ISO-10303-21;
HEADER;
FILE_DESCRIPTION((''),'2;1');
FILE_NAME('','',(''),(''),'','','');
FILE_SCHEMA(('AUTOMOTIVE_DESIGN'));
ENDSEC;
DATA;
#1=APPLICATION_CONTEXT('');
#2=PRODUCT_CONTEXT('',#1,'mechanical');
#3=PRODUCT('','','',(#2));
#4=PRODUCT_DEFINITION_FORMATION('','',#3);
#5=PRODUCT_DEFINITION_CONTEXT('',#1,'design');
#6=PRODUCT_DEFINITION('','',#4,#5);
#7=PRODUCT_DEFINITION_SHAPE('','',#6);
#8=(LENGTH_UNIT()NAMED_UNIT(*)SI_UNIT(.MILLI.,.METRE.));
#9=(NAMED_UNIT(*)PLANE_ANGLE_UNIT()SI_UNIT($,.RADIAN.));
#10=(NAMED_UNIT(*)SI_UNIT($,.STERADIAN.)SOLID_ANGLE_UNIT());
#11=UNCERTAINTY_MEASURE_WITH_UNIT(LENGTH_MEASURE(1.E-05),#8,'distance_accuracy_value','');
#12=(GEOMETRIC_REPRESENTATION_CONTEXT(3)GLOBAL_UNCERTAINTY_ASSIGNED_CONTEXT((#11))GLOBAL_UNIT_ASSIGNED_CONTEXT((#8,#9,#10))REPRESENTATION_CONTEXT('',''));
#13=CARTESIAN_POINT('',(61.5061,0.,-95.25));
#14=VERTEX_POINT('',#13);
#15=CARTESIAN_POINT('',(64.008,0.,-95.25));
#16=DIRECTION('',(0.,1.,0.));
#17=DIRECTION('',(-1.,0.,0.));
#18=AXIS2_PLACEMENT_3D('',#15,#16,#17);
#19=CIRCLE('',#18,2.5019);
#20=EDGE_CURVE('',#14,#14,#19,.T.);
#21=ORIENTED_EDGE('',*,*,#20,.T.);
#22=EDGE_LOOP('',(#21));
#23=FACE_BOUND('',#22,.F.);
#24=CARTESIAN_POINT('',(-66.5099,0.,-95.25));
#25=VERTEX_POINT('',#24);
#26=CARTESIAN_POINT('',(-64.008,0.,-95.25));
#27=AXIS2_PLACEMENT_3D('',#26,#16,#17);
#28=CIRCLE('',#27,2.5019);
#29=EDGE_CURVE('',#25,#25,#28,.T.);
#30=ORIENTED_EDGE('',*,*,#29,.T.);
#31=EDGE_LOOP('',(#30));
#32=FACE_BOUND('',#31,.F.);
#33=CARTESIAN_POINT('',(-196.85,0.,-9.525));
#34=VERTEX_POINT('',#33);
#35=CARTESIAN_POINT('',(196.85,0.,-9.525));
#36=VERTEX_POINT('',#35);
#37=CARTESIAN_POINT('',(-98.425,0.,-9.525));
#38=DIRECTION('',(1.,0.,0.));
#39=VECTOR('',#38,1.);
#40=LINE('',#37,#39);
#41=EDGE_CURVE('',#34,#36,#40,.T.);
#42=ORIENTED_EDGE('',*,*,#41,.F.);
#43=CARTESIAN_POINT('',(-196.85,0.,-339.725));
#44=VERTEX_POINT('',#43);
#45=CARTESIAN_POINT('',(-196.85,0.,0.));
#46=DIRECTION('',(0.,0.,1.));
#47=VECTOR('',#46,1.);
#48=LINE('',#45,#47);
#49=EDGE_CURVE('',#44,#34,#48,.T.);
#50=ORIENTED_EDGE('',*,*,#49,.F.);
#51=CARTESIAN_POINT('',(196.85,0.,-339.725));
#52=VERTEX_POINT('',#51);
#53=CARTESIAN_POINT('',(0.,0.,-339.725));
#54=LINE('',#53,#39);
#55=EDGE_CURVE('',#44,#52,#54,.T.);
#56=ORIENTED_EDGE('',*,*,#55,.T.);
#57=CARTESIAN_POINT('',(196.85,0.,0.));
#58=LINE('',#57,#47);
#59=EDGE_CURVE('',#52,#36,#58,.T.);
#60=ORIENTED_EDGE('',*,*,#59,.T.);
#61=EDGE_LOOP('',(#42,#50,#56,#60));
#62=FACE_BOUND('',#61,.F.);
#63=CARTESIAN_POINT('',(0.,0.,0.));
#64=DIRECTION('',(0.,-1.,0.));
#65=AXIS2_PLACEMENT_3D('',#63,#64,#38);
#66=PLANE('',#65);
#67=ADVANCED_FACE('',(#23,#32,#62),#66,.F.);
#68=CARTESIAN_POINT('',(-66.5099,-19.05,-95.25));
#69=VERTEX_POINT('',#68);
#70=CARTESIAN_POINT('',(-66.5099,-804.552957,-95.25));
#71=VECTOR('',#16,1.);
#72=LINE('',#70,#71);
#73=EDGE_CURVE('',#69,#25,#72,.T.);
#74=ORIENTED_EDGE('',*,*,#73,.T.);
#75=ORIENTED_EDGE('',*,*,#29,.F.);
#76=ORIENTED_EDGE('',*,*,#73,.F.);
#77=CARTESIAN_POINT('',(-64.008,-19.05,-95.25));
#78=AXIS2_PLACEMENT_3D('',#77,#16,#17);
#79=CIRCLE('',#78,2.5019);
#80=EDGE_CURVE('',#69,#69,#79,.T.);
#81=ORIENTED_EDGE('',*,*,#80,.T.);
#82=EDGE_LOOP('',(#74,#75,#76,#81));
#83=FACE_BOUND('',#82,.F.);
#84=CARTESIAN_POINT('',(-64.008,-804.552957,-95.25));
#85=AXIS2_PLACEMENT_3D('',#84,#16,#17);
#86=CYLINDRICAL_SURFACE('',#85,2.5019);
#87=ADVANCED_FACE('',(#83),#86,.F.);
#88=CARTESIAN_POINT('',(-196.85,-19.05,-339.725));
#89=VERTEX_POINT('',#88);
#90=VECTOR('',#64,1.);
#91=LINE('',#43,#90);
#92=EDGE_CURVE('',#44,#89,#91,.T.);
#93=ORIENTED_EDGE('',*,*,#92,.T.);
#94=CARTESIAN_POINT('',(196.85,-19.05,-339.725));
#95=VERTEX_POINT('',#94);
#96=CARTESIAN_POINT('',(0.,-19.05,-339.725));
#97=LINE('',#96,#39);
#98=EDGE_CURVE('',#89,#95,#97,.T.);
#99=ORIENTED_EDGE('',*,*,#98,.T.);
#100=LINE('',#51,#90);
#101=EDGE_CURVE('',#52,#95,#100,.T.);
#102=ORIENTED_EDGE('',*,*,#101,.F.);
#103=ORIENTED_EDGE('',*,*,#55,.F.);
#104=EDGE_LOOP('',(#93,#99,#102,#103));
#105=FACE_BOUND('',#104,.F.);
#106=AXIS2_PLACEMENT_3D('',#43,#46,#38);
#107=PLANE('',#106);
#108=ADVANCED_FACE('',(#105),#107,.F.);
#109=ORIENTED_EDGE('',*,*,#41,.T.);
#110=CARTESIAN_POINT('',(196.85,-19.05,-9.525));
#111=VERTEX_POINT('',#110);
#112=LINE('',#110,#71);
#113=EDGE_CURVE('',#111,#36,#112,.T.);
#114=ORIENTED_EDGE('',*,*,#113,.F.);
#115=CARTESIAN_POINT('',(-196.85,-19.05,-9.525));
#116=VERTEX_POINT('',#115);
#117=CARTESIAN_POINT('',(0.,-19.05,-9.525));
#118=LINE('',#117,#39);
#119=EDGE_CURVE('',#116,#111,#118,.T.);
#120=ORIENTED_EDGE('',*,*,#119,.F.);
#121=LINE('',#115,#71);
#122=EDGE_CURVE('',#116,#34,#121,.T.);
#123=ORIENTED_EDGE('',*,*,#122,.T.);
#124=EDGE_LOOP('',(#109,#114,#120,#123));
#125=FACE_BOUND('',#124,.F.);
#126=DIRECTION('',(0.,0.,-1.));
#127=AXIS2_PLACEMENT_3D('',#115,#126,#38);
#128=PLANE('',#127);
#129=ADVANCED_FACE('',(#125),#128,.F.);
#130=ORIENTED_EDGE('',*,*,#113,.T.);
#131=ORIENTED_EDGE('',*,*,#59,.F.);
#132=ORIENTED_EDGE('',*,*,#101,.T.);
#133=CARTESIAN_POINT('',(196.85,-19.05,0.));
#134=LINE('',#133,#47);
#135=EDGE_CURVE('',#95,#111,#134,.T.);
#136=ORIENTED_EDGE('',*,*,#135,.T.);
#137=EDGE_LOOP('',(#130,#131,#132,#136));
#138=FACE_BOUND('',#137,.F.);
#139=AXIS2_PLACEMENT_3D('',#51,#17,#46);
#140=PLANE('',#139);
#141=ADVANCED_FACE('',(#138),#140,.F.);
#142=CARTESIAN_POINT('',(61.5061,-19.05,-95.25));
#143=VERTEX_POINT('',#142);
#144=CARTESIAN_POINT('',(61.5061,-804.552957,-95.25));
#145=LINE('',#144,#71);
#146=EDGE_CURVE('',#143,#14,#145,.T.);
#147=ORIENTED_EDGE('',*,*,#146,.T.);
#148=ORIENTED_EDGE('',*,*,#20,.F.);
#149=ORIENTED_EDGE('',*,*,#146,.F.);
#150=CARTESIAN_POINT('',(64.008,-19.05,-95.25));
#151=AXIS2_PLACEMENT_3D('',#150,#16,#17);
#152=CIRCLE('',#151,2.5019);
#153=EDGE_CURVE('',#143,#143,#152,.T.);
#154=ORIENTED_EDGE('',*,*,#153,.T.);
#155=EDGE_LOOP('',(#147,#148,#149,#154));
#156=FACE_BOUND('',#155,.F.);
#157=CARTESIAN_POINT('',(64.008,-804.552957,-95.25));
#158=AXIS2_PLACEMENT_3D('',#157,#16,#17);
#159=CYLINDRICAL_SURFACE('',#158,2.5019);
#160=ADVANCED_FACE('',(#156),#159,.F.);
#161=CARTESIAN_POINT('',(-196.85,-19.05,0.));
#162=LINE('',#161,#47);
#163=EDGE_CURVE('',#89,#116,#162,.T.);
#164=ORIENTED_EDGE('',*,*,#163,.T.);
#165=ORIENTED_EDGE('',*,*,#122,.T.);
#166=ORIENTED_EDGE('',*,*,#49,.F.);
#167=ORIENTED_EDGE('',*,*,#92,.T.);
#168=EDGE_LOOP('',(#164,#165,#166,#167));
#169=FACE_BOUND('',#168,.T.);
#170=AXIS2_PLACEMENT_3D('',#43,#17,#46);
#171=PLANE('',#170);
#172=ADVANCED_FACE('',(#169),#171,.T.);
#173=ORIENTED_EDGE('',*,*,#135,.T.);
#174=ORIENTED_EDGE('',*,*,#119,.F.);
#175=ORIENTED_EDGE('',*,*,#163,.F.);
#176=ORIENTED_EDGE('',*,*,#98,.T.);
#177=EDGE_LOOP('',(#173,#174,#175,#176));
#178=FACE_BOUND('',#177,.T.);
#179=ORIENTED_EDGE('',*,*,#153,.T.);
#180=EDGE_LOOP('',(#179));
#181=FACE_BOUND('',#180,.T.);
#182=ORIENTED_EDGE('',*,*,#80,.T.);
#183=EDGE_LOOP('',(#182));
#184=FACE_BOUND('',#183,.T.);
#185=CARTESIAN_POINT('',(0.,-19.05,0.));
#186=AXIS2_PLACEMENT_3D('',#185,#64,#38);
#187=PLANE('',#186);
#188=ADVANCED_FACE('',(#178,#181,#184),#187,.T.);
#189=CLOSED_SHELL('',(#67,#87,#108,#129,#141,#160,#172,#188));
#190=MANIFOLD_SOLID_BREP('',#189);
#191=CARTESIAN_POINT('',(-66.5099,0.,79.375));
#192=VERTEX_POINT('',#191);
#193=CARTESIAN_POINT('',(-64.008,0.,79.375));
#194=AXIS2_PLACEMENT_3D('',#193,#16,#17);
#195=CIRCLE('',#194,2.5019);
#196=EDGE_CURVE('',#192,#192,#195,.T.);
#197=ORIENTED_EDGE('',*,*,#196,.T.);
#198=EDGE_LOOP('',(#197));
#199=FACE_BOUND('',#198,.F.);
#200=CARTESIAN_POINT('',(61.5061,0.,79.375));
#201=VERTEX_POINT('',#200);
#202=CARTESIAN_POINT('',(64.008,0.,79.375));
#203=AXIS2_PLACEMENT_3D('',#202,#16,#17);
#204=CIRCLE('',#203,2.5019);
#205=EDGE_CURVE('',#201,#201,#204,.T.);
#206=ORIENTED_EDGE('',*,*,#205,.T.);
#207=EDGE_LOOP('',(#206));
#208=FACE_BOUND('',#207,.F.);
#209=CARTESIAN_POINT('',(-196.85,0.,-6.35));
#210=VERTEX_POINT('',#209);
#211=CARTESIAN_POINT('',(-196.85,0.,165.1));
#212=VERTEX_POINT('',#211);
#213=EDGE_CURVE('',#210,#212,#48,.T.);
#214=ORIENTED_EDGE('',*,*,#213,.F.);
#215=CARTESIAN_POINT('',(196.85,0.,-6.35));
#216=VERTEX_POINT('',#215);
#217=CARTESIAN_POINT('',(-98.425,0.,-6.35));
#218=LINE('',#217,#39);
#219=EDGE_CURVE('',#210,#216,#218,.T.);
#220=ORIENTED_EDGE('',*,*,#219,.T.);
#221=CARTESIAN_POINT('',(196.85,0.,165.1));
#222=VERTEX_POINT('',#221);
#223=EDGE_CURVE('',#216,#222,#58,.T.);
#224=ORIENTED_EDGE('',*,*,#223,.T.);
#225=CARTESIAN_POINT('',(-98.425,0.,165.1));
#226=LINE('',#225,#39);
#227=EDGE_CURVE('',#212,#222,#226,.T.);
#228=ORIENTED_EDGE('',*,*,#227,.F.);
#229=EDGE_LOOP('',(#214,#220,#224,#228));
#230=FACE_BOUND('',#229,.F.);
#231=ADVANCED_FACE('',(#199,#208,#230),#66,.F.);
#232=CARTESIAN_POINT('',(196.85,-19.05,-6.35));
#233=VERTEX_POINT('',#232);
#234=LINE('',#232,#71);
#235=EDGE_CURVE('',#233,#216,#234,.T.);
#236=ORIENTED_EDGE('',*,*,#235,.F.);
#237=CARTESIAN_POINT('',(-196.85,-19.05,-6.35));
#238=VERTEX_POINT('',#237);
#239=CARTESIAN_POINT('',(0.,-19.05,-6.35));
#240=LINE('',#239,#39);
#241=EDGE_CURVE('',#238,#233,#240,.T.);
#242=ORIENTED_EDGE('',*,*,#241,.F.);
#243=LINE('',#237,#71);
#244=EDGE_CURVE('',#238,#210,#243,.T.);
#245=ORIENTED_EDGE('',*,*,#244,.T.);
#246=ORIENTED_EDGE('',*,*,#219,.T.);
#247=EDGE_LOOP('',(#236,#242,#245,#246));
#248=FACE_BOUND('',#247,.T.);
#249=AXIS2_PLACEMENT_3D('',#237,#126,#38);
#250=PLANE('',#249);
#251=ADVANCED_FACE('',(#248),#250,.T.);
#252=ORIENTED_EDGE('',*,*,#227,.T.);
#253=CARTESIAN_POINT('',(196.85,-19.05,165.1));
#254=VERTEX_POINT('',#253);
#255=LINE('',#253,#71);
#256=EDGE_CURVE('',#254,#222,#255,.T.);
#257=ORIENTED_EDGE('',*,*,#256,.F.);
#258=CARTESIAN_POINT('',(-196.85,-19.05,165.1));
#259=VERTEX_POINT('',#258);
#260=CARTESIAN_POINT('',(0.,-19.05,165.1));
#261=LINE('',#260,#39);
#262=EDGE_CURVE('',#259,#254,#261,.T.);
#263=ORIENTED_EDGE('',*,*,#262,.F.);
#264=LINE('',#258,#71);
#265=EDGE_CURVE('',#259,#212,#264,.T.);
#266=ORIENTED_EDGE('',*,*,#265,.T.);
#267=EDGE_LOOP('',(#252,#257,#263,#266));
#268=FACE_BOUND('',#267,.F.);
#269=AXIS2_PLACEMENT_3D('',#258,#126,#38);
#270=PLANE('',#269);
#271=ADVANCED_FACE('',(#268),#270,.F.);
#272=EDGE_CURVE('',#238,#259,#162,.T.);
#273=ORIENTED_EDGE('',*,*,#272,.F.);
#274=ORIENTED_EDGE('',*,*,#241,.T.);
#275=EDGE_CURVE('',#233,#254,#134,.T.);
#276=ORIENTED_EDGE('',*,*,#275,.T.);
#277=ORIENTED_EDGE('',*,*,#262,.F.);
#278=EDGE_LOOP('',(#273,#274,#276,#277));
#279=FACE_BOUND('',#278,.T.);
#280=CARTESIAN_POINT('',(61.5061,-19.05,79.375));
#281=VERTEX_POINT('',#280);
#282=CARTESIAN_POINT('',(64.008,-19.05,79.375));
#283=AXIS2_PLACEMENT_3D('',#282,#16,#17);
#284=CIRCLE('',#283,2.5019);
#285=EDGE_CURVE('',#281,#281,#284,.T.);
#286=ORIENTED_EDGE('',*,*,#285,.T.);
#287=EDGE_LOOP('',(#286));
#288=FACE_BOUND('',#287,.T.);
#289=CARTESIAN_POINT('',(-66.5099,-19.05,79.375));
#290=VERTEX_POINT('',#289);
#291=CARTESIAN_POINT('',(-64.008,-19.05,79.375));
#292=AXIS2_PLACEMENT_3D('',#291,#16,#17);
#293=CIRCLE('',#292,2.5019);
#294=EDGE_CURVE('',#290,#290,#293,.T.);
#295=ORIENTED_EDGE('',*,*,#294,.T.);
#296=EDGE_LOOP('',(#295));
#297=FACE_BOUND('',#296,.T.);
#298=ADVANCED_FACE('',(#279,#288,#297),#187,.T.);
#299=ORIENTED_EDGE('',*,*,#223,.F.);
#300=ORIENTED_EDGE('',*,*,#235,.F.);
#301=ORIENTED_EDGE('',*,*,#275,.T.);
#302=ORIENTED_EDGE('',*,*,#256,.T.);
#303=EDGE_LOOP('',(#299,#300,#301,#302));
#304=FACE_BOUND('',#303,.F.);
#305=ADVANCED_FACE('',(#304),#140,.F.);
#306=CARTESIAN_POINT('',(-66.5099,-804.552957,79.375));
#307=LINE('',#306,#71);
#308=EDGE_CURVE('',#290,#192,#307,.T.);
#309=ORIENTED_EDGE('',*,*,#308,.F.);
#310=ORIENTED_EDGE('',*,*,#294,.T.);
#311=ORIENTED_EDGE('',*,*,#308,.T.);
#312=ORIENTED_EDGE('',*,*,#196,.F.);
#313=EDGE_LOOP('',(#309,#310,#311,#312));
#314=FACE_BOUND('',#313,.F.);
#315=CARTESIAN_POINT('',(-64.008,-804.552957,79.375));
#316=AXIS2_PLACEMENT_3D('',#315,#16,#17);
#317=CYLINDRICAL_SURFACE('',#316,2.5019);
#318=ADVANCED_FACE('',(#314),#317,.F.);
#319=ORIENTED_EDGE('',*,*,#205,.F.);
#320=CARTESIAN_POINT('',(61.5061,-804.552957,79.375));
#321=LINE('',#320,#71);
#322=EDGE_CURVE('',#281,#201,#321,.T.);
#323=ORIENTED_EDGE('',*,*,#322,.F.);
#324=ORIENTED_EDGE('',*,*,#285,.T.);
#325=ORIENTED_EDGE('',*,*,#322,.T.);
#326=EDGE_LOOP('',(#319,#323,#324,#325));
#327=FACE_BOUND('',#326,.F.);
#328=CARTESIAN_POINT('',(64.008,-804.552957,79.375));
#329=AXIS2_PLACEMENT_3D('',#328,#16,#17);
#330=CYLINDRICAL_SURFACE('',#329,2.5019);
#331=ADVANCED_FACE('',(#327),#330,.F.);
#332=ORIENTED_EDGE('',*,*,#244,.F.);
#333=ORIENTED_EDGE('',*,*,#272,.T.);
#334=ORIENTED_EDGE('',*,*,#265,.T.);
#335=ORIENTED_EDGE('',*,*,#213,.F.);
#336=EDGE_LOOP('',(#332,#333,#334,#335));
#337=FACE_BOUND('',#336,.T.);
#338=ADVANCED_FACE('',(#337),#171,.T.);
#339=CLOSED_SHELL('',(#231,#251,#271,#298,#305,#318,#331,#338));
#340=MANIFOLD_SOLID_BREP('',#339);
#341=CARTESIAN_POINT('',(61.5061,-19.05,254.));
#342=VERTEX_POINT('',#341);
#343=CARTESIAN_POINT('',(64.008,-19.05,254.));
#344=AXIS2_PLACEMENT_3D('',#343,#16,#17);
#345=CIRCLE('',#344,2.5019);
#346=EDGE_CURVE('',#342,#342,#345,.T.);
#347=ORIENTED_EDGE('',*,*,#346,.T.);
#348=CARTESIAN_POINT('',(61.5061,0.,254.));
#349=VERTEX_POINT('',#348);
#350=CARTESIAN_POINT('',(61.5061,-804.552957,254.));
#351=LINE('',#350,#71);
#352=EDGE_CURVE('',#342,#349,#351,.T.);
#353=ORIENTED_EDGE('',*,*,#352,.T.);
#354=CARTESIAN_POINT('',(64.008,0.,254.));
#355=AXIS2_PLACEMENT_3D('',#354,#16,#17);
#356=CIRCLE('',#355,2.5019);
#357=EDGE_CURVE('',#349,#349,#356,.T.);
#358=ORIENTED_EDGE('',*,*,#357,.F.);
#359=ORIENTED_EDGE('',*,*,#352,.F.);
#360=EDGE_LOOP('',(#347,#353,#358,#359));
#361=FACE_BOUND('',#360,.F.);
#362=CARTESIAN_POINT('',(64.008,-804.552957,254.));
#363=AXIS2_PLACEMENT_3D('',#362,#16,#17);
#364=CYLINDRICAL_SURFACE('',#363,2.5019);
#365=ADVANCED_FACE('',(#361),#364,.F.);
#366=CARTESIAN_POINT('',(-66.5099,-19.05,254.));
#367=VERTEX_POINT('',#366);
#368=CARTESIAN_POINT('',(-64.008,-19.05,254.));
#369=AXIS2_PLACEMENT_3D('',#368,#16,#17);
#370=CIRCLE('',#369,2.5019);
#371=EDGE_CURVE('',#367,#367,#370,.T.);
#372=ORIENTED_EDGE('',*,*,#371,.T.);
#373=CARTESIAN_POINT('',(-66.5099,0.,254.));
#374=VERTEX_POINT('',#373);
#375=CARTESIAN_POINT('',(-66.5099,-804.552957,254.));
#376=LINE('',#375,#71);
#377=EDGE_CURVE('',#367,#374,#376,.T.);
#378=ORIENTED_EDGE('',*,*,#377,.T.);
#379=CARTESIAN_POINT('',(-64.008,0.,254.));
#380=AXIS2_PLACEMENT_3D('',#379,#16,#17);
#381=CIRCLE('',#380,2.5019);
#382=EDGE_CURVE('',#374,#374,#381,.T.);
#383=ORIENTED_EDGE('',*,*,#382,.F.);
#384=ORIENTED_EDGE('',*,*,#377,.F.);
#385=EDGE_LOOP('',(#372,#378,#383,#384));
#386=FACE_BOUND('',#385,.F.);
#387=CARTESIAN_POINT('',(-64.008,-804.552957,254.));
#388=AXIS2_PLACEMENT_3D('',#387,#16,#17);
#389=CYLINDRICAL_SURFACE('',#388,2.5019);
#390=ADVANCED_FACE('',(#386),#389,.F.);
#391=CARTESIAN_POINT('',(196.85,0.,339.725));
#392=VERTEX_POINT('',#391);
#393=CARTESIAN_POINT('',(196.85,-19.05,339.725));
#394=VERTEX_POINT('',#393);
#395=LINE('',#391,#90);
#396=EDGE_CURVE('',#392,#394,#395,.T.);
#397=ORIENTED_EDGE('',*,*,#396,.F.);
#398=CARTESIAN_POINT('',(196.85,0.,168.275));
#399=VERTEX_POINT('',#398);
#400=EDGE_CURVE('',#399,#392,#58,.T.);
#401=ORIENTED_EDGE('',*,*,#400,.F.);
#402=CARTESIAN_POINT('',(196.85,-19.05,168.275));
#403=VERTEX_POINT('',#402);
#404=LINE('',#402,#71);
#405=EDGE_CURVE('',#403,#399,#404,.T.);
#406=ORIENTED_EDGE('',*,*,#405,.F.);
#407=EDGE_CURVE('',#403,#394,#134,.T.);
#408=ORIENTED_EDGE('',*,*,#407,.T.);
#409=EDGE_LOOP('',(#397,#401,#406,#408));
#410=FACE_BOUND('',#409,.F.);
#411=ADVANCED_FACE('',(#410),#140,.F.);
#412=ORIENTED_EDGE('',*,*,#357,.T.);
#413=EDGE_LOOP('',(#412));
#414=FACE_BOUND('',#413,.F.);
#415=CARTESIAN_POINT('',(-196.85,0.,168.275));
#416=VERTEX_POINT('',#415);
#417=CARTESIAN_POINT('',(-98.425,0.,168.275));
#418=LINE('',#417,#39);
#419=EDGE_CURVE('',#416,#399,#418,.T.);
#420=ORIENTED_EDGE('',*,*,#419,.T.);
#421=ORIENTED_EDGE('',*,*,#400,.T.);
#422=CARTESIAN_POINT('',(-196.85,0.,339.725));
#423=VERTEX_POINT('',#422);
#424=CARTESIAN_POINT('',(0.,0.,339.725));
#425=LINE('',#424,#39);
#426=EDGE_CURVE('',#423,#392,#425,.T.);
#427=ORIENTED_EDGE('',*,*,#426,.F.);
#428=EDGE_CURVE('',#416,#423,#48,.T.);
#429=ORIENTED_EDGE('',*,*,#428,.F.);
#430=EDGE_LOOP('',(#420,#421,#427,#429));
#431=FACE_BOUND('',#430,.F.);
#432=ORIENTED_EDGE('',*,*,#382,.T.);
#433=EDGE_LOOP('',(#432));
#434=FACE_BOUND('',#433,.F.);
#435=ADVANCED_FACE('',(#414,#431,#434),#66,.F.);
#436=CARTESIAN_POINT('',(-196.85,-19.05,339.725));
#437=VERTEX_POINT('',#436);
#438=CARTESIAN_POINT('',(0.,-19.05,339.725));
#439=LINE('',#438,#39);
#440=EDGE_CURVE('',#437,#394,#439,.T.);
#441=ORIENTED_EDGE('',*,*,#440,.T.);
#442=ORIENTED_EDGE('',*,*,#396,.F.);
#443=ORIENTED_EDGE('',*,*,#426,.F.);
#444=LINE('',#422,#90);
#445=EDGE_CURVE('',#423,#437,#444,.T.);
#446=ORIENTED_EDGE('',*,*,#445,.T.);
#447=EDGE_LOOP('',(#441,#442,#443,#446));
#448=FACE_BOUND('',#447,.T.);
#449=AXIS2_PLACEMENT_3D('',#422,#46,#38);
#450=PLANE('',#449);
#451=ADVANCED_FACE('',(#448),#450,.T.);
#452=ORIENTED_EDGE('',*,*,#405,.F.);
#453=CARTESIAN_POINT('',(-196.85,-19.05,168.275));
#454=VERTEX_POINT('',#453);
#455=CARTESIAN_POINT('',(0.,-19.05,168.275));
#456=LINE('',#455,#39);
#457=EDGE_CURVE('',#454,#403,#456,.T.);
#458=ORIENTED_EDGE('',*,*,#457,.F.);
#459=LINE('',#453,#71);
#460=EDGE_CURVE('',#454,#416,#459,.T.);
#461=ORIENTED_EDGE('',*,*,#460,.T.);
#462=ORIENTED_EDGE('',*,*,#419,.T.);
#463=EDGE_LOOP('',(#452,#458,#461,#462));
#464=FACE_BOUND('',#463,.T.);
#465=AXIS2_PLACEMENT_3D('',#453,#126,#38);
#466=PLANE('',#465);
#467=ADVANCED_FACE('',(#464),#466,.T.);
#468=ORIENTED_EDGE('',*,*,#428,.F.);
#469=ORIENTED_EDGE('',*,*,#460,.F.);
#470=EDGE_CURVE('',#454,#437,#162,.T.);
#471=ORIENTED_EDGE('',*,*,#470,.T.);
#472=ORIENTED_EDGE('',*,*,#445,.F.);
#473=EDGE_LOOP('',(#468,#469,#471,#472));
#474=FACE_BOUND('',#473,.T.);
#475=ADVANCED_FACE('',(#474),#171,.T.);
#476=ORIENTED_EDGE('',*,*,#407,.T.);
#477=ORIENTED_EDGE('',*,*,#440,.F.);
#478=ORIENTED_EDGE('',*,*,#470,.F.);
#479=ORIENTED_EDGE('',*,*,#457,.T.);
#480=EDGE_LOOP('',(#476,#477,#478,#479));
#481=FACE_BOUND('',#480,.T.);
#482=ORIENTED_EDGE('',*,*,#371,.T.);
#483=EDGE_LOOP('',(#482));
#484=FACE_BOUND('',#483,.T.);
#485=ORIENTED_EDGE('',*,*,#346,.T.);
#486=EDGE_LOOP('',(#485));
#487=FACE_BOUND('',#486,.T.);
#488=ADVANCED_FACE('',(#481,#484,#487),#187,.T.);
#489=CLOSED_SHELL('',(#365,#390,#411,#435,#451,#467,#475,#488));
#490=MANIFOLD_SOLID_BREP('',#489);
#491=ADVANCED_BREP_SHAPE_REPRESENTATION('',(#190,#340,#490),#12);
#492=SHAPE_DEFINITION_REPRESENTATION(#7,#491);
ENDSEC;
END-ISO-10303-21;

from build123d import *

# Parameters (mm, degrees)
F0_W     = 393.7
F0_H     = 679.45
F1_DEPTH = 19.05
F2_W     = 393.7
F2_H     = 3.175
F3_DEPTH = 25.4
F5_D     = 5.0038
F7_D     = 5.0038
F9_D     = 5.0038


with BuildPart() as f1:
    # F0 (on Front) → F1 (new body)
    with BuildSketch(Plane.XZ):
        Rectangle(F0_W, F0_H)
    extrude(amount=F1_DEPTH)

    # F2 (on face) → F3 (cut)
    with BuildSketch(Plane.XZ.offset(19.05)):
        with Locations((0, 166.6875)):
            Rectangle(F2_W, F2_H)
        with Locations((0, -7.9375)):
            Rectangle(F2_W, F2_H)
    extrude(amount=-F3_DEPTH, mode=Mode.SUBTRACT)

    # F5 (through all)
    with Locations(Plane.XZ.offset(19.05)):
        with Locations((-64.008, 254), (64.008, 254)):
            Hole(F5_D / 2)

    # F7 (through all)
    with Locations(Plane.XZ.offset(19.05)):
        with Locations((-64.008, 79.375), (64.008, 79.375)):
            Hole(F7_D / 2)

    # F9 (through all)
    with Locations(Plane.XZ.offset(19.05)):
        with Locations((64.008, -95.25), (-64.008, -95.25)):
            Hole(F9_D / 2)


solid = f1.part
